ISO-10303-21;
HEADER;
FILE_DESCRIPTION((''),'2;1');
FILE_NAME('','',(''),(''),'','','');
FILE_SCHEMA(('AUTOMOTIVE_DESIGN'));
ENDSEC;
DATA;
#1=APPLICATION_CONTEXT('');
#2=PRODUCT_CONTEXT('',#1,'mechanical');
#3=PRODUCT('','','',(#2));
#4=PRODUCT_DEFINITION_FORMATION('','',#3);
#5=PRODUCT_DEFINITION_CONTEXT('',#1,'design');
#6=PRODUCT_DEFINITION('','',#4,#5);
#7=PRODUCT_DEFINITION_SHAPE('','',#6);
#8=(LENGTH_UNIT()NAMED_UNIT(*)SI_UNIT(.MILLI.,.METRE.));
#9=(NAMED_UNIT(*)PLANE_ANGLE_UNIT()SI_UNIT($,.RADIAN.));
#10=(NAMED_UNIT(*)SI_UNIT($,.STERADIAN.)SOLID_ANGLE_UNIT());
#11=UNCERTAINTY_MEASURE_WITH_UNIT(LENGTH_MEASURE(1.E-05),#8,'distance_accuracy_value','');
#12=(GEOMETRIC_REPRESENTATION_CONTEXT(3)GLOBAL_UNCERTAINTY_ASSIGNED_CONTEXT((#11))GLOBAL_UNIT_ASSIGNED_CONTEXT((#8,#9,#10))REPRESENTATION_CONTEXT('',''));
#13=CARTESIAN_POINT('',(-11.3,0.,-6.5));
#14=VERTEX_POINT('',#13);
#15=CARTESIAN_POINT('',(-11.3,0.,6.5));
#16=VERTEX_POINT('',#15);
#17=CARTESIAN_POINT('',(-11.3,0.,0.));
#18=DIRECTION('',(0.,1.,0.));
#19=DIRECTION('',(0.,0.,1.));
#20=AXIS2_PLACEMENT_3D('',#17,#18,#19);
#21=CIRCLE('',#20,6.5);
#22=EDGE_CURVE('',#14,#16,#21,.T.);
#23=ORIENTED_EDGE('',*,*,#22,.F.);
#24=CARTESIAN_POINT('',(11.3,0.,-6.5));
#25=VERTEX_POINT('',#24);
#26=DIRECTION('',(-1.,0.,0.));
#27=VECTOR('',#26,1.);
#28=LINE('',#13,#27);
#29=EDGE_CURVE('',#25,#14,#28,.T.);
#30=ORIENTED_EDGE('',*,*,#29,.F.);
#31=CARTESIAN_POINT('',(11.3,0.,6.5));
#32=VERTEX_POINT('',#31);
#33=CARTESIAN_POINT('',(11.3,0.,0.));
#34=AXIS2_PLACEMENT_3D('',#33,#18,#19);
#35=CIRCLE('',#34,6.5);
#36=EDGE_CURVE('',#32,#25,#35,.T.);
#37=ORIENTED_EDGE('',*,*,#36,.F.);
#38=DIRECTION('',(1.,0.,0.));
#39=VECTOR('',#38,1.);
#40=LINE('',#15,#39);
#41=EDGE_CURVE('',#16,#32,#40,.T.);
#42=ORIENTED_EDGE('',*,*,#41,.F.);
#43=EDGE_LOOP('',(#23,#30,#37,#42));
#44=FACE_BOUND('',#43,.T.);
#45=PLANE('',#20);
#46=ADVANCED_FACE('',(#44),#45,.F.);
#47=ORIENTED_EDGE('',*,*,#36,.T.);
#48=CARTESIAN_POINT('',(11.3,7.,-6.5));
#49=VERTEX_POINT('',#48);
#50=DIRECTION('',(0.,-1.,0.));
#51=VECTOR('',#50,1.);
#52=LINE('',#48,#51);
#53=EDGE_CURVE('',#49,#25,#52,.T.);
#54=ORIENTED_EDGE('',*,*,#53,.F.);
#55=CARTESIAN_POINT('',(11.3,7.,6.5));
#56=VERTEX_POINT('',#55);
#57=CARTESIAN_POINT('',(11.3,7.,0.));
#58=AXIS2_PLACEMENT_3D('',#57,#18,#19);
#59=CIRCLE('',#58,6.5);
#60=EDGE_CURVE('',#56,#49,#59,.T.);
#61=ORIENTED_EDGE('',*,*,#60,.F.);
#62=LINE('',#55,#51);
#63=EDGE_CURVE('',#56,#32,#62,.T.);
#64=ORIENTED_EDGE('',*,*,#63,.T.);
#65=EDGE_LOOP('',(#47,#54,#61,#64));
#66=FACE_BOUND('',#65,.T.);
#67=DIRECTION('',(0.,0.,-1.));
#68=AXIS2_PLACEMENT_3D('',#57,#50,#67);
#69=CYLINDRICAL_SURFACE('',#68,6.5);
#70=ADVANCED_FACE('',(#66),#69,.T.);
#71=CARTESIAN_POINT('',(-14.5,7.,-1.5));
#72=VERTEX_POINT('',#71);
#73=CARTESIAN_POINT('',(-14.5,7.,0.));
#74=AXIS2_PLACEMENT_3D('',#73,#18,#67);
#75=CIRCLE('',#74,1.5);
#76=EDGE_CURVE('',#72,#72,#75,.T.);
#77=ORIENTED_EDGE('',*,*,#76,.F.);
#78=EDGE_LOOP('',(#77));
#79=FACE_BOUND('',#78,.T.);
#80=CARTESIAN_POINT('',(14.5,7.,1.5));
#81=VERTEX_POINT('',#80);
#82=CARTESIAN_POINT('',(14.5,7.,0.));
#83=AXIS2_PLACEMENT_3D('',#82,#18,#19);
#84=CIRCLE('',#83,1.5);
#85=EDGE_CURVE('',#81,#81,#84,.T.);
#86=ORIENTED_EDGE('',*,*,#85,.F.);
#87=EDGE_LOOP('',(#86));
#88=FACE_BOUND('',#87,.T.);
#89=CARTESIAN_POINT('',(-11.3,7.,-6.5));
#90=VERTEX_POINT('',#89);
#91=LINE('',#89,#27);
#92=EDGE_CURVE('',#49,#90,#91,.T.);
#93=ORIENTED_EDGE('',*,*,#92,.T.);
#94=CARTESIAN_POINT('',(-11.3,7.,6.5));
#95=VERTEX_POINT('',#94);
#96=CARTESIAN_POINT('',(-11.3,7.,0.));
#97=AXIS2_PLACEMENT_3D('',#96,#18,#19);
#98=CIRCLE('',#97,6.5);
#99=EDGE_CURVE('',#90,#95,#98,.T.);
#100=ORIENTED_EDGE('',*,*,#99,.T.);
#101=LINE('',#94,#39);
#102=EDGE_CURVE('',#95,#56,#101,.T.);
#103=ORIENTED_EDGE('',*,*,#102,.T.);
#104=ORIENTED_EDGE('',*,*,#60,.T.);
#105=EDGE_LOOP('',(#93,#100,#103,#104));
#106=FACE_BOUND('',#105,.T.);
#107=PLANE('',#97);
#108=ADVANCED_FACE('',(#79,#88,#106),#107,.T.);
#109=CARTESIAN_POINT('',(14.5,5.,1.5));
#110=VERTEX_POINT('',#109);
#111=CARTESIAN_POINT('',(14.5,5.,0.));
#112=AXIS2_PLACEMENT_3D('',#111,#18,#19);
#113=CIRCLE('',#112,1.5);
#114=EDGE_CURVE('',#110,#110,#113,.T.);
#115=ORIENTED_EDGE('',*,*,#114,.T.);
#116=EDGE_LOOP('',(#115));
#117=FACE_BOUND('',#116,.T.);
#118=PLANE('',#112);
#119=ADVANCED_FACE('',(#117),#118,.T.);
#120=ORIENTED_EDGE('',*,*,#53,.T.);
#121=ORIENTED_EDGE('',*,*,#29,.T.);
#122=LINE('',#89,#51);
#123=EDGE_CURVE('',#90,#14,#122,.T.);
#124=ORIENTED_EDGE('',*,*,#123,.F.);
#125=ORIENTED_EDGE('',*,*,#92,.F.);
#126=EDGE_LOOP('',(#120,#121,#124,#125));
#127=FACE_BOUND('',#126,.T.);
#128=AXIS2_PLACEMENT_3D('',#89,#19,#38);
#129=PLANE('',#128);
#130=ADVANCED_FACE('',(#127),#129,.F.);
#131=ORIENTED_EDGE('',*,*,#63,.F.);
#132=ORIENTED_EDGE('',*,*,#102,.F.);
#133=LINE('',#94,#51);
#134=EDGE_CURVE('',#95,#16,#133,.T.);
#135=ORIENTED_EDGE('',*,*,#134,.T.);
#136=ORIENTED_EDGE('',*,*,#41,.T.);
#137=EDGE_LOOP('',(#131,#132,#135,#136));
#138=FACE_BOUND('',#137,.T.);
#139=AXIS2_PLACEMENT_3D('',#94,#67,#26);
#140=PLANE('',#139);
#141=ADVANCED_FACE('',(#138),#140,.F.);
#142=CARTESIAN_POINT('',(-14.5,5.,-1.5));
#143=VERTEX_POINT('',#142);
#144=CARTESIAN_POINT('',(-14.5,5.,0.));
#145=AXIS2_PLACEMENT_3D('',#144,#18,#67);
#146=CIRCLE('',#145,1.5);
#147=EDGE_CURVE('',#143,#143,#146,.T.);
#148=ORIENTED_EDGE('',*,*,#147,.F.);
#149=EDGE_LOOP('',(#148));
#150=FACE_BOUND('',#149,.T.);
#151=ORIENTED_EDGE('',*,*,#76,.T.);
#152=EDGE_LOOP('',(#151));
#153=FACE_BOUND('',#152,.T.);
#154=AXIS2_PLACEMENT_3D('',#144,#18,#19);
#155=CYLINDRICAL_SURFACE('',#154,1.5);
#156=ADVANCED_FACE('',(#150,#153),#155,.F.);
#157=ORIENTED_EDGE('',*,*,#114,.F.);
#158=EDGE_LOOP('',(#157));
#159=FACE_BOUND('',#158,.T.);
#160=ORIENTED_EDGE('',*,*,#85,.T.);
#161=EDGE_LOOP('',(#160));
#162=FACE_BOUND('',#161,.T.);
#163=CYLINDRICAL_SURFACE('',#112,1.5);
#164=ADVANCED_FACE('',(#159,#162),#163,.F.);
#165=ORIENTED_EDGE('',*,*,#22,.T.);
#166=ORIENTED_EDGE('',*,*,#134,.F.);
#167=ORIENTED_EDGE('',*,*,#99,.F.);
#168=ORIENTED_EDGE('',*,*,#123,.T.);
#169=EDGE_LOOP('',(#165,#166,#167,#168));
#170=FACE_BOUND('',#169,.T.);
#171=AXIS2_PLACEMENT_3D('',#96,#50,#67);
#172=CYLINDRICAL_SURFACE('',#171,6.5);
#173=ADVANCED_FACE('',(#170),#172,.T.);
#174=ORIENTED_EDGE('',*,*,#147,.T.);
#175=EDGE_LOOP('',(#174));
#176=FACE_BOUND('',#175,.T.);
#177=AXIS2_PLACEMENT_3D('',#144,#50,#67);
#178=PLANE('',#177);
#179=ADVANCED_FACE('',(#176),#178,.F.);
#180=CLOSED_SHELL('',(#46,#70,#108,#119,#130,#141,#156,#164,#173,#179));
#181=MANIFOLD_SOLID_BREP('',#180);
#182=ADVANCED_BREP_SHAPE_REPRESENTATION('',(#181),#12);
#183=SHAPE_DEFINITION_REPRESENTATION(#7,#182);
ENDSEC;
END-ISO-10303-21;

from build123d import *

# Parameters (mm, degrees)
EXTRUDE_1_DEPTH     = 7
SKETCH_2_R          = 1.5
CUT_EXTRUDE_1_DEPTH = 2


with BuildPart() as part:
    # 草图1 → 凸台-拉伸1 (new body)
    with BuildSketch(Plane(origin=(0, 0, 0), x_dir=(1, 0, 0), z_dir=(0, 1, 0))):
        with BuildLine():
            Line((-11.3, 6.5), (11.3, 6.5))
            ThreePointArc((11.3, 6.5), (17.8, 0), (11.3, -6.5))
            Line((11.3, -6.5), (-11.3, -6.5))
            ThreePointArc((-11.3, -6.5), (-17.8, 0), (-11.3, 6.5))
        make_face()
    extrude(amount=EXTRUDE_1_DEPTH)

    # 草图2 → 切除-拉伸1 (cut)
    with BuildSketch(Plane(origin=(0, 7, 0), x_dir=(1, 0, 0), z_dir=(0, 1, 0))):
        with Locations(Location((14.5, 0, 0), (0, 0, 270))):
            Circle(SKETCH_2_R)
        with Locations(Location((-14.5, 0, 0), (0, 0, 90))):
            Circle(SKETCH_2_R)
    extrude(amount=-CUT_EXTRUDE_1_DEPTH, mode=Mode.SUBTRACT)


solid = part.part
